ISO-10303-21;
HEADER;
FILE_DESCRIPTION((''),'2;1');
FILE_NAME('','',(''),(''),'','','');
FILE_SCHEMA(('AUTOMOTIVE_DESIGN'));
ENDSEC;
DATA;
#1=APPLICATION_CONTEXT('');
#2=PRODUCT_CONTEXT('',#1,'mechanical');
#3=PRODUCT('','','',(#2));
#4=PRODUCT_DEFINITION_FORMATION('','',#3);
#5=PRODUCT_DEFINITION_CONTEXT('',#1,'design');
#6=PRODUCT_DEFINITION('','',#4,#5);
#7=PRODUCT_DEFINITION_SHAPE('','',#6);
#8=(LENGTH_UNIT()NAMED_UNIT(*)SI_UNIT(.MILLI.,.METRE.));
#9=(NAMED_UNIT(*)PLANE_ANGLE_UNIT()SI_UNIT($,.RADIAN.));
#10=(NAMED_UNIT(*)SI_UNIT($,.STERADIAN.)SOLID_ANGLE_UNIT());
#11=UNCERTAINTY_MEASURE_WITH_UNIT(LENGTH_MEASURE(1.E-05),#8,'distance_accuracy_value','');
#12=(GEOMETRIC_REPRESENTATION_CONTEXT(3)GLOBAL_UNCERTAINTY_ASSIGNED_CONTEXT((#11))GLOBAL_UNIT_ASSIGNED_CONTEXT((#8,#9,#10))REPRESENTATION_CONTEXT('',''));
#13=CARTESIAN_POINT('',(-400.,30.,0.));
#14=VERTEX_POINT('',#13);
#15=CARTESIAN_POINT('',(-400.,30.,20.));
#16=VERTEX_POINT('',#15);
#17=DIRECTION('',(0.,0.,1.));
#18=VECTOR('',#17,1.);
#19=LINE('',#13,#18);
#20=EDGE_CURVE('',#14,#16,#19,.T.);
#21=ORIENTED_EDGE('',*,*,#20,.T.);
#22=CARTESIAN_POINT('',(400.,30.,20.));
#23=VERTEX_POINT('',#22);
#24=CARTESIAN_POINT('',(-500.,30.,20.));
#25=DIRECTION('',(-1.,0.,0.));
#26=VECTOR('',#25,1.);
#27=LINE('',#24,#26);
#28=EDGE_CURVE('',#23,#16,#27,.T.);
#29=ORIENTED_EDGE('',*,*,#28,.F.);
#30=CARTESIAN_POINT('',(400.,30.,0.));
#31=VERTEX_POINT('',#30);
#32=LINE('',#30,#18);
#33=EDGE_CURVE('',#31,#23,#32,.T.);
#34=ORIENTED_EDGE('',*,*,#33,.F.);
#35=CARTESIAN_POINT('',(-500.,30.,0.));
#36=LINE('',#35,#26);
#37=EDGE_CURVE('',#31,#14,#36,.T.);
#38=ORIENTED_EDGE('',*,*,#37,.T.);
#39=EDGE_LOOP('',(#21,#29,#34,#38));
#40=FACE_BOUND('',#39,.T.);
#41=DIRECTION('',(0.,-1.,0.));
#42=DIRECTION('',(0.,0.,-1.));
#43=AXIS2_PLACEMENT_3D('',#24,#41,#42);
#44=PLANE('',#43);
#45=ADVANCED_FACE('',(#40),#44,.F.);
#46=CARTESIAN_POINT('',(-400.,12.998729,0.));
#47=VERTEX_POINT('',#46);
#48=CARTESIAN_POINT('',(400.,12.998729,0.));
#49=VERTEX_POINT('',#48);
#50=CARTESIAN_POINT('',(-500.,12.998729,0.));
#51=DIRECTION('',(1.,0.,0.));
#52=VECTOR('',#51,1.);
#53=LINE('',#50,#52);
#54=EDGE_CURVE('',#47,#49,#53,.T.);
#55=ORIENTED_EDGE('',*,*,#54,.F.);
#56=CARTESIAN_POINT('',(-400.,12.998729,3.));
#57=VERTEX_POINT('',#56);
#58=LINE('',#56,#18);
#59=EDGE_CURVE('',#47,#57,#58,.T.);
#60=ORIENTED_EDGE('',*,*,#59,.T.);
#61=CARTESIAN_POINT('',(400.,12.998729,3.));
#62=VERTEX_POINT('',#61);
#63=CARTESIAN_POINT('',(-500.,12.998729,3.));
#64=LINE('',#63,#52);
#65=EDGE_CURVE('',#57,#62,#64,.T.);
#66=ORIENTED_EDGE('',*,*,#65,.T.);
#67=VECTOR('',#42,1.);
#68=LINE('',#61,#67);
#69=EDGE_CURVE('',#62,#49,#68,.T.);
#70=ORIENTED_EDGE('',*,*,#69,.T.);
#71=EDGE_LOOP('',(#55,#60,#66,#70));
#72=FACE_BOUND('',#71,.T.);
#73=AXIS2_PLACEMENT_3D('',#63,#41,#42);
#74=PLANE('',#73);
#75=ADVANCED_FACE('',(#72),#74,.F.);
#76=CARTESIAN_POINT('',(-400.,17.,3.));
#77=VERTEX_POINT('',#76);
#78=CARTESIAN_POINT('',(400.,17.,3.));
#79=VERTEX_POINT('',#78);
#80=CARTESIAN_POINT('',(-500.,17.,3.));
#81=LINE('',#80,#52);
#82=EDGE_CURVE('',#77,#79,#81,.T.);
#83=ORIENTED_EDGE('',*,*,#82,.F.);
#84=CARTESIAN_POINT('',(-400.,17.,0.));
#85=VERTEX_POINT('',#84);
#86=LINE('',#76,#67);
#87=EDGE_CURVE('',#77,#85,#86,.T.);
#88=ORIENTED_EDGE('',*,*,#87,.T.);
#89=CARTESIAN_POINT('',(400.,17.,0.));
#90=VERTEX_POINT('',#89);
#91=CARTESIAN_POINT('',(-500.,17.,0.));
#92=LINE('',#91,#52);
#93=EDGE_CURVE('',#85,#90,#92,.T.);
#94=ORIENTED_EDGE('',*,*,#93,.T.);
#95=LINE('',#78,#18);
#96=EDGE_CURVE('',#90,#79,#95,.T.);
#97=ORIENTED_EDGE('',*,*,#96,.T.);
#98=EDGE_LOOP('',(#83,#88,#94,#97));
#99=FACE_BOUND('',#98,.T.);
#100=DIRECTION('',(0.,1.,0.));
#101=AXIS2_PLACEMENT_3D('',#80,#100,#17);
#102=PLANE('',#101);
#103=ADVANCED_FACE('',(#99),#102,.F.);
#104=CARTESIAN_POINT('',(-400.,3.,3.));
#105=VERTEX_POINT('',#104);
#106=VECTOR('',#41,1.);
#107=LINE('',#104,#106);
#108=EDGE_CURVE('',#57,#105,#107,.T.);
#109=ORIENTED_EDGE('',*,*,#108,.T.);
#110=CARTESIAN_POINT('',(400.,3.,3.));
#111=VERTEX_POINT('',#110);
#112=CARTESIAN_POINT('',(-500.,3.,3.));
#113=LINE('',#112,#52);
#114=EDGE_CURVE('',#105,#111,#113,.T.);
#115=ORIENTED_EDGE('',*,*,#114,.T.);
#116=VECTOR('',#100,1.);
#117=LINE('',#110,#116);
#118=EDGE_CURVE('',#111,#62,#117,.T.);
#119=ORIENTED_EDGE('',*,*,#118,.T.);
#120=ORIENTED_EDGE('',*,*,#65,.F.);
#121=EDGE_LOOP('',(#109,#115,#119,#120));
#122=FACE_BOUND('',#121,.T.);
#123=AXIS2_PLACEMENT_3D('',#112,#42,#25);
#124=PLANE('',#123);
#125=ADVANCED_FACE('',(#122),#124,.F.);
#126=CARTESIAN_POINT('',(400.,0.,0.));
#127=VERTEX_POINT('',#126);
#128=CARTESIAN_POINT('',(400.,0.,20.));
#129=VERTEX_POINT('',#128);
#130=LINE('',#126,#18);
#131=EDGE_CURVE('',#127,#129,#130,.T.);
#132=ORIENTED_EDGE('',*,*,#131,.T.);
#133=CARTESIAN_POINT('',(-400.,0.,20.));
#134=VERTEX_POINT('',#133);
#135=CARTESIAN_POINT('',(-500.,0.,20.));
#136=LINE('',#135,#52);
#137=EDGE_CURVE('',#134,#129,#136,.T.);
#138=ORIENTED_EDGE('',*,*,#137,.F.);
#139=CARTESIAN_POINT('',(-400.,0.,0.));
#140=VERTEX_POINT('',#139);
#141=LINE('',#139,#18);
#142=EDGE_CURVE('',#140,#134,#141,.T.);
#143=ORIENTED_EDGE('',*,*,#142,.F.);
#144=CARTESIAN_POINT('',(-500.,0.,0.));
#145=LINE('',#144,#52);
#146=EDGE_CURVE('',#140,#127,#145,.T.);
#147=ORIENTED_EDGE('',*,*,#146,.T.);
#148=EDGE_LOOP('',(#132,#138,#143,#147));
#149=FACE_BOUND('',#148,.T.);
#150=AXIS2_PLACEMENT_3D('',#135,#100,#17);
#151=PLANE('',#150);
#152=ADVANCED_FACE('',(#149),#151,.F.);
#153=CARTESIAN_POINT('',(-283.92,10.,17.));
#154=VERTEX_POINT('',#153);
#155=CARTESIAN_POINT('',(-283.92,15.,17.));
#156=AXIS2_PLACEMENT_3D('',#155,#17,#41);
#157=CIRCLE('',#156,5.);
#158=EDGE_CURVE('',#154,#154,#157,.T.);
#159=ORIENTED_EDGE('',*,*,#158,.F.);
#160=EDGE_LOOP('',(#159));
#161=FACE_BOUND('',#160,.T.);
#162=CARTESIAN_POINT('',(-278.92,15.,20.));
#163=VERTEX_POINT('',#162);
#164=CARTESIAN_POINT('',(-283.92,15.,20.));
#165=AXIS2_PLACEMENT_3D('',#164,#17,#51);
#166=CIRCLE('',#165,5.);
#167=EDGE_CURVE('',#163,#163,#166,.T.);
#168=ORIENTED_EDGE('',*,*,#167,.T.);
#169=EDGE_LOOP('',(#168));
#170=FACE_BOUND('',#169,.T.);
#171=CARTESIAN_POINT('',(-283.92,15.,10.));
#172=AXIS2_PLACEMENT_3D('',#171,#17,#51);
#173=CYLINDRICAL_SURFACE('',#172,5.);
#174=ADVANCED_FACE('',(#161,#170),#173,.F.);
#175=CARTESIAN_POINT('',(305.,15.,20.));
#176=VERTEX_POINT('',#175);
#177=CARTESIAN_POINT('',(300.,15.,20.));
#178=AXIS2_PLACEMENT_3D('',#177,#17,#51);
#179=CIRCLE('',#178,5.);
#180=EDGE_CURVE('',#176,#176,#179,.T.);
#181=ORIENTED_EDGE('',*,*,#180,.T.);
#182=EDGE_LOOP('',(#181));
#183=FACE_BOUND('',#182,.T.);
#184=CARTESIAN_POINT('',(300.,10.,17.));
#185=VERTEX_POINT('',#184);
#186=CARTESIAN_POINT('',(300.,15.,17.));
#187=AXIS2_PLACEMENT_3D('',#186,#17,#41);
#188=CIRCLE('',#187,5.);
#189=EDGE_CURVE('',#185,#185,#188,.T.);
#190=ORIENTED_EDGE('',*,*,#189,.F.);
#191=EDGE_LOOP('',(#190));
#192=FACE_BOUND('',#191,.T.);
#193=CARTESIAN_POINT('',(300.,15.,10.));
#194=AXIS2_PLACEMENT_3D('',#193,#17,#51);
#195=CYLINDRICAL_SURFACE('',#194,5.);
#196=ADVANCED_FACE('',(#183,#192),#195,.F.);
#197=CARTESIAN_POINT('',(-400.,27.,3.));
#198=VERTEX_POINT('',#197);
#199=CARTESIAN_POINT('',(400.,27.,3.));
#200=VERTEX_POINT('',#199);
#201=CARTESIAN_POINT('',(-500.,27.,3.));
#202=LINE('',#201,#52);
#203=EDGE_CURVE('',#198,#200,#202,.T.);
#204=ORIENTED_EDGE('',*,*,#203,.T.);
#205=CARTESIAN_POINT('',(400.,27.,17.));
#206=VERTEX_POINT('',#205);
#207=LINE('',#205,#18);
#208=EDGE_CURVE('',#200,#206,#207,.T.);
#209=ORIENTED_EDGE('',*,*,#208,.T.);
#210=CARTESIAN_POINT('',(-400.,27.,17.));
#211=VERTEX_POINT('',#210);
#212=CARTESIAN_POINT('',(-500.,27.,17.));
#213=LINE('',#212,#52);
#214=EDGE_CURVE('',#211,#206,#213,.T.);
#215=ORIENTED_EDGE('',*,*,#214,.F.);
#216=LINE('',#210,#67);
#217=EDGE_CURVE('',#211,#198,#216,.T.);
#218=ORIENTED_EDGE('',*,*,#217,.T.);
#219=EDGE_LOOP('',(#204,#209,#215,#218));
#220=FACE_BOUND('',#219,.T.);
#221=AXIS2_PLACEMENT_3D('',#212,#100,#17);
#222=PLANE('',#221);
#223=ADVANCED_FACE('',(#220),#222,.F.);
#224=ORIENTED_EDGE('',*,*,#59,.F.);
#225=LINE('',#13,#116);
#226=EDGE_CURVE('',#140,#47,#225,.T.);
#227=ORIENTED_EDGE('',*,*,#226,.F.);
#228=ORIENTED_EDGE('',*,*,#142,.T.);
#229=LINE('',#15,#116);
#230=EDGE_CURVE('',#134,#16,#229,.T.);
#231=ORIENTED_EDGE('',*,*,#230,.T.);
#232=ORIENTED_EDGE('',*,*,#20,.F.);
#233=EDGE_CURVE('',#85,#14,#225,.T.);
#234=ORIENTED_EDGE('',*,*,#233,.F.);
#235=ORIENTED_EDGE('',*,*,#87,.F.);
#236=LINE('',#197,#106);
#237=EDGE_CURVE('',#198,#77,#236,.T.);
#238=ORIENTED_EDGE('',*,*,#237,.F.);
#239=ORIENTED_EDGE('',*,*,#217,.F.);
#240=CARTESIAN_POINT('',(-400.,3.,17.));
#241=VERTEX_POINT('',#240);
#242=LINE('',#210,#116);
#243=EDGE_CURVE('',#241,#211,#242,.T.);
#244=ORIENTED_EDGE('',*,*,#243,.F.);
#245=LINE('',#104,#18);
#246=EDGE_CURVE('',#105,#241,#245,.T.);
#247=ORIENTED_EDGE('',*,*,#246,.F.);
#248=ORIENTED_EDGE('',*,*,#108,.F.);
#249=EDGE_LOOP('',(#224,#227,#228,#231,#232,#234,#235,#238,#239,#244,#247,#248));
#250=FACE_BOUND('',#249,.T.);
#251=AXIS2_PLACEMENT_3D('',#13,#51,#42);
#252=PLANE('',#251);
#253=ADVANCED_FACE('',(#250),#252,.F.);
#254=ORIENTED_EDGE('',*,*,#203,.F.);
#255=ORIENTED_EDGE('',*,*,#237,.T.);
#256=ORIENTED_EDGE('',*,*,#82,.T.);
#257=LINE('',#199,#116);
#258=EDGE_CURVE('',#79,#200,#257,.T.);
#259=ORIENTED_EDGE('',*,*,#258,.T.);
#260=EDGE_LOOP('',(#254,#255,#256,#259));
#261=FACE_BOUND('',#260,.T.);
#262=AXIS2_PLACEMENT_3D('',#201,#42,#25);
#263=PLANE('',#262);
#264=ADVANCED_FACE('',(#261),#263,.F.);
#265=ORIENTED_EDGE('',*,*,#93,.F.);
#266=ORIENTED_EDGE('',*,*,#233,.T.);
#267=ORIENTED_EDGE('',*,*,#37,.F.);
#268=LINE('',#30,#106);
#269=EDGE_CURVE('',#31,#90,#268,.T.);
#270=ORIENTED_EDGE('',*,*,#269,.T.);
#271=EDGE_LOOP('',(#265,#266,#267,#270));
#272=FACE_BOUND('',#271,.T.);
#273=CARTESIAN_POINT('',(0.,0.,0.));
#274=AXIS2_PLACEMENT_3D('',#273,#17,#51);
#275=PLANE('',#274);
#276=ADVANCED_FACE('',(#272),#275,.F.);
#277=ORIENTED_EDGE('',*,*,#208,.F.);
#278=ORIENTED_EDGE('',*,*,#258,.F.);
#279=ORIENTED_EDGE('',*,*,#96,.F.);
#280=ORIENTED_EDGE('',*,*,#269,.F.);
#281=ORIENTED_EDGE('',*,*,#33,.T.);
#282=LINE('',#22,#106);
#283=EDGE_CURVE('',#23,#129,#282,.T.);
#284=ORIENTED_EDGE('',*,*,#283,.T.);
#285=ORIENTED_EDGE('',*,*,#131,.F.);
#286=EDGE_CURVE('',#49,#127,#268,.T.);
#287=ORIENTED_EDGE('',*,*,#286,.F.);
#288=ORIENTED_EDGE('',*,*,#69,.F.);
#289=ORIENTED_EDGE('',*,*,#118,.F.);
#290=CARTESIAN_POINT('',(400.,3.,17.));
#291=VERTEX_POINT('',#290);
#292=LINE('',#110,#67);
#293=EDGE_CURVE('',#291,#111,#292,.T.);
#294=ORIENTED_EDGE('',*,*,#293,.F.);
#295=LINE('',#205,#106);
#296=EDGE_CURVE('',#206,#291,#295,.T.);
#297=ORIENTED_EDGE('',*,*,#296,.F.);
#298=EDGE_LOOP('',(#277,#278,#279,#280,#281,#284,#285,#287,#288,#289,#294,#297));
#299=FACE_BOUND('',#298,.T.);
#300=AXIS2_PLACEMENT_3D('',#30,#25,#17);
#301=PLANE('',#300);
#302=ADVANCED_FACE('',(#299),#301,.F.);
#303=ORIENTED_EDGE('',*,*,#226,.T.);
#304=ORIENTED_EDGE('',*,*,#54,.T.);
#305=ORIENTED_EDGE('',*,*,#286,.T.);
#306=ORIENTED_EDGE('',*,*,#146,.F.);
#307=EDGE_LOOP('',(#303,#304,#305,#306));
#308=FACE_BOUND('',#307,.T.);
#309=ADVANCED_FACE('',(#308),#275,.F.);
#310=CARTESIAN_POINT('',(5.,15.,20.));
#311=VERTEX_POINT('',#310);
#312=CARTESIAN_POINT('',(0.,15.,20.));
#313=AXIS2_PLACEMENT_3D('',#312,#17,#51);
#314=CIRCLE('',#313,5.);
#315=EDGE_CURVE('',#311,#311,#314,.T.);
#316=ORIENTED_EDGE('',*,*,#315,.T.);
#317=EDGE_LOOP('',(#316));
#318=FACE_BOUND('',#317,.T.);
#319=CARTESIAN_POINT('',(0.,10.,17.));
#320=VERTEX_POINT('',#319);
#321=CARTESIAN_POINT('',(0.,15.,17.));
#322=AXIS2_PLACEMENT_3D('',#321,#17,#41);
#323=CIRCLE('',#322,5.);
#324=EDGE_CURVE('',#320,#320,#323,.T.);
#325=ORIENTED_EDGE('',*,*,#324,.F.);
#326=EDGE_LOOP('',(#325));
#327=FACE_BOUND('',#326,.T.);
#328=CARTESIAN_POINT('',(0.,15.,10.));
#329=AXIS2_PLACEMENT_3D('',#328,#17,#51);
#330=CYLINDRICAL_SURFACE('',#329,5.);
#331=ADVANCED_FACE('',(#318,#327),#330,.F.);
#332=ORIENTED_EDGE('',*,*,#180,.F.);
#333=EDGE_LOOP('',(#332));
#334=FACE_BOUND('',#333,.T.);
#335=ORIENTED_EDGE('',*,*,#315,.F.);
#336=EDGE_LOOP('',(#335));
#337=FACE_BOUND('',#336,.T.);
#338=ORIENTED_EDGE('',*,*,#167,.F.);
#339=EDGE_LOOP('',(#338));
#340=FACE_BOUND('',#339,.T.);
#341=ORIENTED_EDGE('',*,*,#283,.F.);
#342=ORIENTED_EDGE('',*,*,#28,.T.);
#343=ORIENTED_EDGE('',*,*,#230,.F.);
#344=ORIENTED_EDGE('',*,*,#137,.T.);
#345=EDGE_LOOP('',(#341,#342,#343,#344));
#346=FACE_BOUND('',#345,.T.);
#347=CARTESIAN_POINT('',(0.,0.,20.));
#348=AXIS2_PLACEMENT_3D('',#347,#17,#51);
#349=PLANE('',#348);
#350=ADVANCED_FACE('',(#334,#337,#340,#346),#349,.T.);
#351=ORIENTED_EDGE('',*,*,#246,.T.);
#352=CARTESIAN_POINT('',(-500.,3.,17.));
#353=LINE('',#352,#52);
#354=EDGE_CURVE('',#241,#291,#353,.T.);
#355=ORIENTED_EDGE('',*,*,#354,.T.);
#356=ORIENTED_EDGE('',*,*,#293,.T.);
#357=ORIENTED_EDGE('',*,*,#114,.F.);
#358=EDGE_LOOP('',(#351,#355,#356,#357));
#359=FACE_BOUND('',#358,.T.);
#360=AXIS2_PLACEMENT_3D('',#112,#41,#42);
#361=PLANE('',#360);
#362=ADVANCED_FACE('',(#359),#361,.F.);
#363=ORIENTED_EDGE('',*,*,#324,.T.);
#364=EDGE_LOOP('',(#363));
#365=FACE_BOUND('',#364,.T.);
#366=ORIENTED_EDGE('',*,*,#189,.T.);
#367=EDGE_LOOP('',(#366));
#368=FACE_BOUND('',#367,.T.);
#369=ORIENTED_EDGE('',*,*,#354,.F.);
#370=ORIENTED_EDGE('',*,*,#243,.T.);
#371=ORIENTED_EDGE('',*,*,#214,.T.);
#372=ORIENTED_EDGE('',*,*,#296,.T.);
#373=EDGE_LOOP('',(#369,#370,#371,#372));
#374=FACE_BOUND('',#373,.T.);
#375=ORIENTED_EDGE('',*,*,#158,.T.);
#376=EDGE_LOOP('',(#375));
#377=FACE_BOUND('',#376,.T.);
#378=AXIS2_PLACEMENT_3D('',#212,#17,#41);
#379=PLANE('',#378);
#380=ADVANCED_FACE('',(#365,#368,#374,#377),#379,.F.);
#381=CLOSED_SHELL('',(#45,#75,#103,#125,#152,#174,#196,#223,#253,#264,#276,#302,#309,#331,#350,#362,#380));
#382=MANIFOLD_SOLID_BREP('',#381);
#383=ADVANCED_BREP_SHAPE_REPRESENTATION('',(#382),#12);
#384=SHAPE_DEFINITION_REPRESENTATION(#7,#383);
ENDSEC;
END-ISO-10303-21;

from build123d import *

# Parameters (mm, degrees)
CROQUIS1_W              = 1000
CROQUIS1_H              = 30
SALIENTE_EXTRUIR1_DEPTH = 20
CORTAR_EXTRUIR1_DEPTH   = 1001.649788887
CROQUIS3_W              = 100
CROQUIS3_H              = 30
CORTAR_EXTRUIR2_DEPTH   = 502.29831438
CROQUIS4_R              = 5
CORTAR_EXTRUIR3_DEPTH   = 10


with BuildPart() as part:
    # Croquis1 → Saliente-Extruir1 (new body)
    with BuildSketch(Plane.XY):
        with Locations((0, 15)):
            Rectangle(CROQUIS1_W, CROQUIS1_H)
    extrude(amount=SALIENTE_EXTRUIR1_DEPTH)

    # Croquis2 → Cortar-Extruir1 (cut, through all)
    with BuildSketch(Plane(origin=(500, 0, 0), x_dir=(0, 0, -1), z_dir=(1, 0, 0))):
        Polygon((-17, 27), (-17, 3), (-3, 3), (-3, 12.998729457), (0, 12.998729457), (0, 17), (-3, 17), (-3, 27), align=None)
    extrude(amount=-CORTAR_EXTRUIR1_DEPTH, mode=Mode.SUBTRACT)

    # Croquis3 → Cortar-Extruir2 (cut, through all)
    with BuildSketch(Plane.XY.offset(20)):
        with Locations((-450, 15)):
            Rectangle(CROQUIS3_W, CROQUIS3_H)
        with Locations((450, 15)):
            Rectangle(CROQUIS3_W, CROQUIS3_H)
    extrude(amount=-CORTAR_EXTRUIR2_DEPTH, mode=Mode.SUBTRACT)

    # Croquis4 → Cortar-Extruir3 (cut)
    with BuildSketch(Plane.XY.offset(20)):
        with Locations((300, 15)):
            Circle(CROQUIS4_R)
        with Locations((0, 15)):
            Circle(CROQUIS4_R)
        with Locations((-283.92, 15)):
            Circle(CROQUIS4_R)
    extrude(amount=-CORTAR_EXTRUIR3_DEPTH, mode=Mode.SUBTRACT)


solid = part.part
